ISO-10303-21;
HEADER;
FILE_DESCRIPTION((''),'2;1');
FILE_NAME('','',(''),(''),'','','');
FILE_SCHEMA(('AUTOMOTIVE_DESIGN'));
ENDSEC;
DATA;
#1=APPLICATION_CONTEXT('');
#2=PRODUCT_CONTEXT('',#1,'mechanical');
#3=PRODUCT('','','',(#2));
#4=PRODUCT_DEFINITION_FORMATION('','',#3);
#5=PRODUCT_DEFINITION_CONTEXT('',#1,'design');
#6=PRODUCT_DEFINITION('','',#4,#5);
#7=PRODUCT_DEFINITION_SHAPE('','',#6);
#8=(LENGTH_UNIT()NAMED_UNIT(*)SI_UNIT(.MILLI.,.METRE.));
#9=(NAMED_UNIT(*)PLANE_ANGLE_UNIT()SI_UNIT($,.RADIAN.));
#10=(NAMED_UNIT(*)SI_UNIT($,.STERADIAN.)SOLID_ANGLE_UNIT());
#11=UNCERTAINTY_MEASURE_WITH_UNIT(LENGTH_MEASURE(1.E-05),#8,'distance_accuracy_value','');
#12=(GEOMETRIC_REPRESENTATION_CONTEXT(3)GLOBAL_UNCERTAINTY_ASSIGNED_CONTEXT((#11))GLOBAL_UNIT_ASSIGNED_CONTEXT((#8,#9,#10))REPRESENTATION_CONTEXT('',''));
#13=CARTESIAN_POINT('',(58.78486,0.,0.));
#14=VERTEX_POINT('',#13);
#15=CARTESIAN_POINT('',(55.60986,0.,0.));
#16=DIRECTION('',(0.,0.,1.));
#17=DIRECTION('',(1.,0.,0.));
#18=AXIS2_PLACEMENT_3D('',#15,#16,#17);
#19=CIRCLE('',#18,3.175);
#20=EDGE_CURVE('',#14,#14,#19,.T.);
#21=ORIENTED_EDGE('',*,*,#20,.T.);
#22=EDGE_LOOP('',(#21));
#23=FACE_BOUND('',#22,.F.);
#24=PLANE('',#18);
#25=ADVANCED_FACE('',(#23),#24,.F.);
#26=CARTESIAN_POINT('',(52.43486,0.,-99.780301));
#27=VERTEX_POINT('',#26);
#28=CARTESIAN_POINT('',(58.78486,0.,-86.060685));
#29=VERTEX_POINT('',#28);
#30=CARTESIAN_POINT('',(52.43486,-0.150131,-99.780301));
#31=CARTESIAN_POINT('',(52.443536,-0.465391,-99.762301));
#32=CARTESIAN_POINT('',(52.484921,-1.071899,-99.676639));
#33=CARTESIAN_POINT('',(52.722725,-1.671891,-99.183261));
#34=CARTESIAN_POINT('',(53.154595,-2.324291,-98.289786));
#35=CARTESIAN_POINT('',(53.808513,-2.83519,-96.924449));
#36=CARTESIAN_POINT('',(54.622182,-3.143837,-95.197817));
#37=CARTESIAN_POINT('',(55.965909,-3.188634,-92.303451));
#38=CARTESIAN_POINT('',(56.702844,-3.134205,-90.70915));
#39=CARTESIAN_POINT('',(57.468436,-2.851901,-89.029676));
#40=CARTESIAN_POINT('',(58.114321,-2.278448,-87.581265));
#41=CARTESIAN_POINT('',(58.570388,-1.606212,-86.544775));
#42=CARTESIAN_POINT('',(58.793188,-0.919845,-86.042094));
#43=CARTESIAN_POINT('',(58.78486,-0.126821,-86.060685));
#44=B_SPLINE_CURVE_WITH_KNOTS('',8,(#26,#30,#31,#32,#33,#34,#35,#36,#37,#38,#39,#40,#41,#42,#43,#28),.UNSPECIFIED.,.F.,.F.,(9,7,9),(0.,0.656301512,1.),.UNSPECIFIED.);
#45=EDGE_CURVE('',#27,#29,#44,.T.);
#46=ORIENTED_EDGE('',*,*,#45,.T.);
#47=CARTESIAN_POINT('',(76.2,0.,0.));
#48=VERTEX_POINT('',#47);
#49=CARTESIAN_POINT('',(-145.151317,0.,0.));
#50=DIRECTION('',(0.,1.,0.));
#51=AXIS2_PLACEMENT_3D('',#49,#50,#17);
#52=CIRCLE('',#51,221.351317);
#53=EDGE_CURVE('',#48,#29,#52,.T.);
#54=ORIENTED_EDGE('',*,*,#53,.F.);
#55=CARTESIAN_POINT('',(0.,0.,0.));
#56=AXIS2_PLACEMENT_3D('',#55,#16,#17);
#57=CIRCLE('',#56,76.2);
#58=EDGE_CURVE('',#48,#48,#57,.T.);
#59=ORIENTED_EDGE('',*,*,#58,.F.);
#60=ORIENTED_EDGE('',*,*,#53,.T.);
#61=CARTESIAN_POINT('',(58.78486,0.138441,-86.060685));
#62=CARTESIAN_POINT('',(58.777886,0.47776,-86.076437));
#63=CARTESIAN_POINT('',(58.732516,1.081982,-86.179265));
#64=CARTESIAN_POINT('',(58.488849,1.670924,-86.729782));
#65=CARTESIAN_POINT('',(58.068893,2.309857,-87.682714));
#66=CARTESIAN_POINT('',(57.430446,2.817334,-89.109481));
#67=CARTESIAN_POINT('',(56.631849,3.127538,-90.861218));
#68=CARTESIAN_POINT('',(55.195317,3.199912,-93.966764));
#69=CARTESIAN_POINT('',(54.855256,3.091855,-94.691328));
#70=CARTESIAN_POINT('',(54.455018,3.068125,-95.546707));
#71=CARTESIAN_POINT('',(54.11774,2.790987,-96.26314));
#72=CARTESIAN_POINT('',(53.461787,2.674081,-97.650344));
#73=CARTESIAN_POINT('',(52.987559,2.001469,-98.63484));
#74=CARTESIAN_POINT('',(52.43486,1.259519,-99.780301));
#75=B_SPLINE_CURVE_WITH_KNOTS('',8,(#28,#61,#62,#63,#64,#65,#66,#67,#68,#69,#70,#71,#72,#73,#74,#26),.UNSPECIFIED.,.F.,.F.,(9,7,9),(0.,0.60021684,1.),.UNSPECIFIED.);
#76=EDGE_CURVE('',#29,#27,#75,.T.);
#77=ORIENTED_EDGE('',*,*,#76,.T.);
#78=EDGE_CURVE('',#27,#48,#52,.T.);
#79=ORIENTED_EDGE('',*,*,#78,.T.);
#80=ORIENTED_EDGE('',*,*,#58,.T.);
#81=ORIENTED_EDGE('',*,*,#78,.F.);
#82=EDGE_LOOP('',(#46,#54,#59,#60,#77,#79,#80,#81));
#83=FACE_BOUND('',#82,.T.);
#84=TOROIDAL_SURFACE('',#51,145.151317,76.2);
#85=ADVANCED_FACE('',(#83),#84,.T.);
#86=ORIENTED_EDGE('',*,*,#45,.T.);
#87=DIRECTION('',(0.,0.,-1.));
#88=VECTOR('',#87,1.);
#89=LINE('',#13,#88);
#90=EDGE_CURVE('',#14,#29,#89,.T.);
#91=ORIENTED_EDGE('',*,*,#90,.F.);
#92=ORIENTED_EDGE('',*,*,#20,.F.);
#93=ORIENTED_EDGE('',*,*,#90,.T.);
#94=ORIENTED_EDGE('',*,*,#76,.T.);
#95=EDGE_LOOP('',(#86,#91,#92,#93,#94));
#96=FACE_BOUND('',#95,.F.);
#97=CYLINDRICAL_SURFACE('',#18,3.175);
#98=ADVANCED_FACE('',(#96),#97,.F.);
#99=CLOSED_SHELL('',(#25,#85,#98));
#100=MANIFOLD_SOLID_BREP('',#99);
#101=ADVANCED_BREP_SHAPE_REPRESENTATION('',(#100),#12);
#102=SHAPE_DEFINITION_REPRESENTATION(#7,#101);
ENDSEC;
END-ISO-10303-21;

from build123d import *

# Parameters (mm, degrees)
F0_R     = 76.2
F3_D     = 6.35
F3_DEPTH = 221.3523172196


with BuildPart() as f1:
    # F0 (on Top) → F1 (revolve)
    with BuildSketch(Plane.XY):
        Circle(F0_R)
    revolve(axis=Axis((-145.1513171196, 25.4, 0), (0, 1, 0)))

    # F3 (through all, one way)
    with BuildSketch(Plane.XY):
        with Locations((55.6098595262, 0)):
            Circle(F3_D / 2)
    extrude(amount=-F3_DEPTH, mode=Mode.SUBTRACT)


solid = f1.part
